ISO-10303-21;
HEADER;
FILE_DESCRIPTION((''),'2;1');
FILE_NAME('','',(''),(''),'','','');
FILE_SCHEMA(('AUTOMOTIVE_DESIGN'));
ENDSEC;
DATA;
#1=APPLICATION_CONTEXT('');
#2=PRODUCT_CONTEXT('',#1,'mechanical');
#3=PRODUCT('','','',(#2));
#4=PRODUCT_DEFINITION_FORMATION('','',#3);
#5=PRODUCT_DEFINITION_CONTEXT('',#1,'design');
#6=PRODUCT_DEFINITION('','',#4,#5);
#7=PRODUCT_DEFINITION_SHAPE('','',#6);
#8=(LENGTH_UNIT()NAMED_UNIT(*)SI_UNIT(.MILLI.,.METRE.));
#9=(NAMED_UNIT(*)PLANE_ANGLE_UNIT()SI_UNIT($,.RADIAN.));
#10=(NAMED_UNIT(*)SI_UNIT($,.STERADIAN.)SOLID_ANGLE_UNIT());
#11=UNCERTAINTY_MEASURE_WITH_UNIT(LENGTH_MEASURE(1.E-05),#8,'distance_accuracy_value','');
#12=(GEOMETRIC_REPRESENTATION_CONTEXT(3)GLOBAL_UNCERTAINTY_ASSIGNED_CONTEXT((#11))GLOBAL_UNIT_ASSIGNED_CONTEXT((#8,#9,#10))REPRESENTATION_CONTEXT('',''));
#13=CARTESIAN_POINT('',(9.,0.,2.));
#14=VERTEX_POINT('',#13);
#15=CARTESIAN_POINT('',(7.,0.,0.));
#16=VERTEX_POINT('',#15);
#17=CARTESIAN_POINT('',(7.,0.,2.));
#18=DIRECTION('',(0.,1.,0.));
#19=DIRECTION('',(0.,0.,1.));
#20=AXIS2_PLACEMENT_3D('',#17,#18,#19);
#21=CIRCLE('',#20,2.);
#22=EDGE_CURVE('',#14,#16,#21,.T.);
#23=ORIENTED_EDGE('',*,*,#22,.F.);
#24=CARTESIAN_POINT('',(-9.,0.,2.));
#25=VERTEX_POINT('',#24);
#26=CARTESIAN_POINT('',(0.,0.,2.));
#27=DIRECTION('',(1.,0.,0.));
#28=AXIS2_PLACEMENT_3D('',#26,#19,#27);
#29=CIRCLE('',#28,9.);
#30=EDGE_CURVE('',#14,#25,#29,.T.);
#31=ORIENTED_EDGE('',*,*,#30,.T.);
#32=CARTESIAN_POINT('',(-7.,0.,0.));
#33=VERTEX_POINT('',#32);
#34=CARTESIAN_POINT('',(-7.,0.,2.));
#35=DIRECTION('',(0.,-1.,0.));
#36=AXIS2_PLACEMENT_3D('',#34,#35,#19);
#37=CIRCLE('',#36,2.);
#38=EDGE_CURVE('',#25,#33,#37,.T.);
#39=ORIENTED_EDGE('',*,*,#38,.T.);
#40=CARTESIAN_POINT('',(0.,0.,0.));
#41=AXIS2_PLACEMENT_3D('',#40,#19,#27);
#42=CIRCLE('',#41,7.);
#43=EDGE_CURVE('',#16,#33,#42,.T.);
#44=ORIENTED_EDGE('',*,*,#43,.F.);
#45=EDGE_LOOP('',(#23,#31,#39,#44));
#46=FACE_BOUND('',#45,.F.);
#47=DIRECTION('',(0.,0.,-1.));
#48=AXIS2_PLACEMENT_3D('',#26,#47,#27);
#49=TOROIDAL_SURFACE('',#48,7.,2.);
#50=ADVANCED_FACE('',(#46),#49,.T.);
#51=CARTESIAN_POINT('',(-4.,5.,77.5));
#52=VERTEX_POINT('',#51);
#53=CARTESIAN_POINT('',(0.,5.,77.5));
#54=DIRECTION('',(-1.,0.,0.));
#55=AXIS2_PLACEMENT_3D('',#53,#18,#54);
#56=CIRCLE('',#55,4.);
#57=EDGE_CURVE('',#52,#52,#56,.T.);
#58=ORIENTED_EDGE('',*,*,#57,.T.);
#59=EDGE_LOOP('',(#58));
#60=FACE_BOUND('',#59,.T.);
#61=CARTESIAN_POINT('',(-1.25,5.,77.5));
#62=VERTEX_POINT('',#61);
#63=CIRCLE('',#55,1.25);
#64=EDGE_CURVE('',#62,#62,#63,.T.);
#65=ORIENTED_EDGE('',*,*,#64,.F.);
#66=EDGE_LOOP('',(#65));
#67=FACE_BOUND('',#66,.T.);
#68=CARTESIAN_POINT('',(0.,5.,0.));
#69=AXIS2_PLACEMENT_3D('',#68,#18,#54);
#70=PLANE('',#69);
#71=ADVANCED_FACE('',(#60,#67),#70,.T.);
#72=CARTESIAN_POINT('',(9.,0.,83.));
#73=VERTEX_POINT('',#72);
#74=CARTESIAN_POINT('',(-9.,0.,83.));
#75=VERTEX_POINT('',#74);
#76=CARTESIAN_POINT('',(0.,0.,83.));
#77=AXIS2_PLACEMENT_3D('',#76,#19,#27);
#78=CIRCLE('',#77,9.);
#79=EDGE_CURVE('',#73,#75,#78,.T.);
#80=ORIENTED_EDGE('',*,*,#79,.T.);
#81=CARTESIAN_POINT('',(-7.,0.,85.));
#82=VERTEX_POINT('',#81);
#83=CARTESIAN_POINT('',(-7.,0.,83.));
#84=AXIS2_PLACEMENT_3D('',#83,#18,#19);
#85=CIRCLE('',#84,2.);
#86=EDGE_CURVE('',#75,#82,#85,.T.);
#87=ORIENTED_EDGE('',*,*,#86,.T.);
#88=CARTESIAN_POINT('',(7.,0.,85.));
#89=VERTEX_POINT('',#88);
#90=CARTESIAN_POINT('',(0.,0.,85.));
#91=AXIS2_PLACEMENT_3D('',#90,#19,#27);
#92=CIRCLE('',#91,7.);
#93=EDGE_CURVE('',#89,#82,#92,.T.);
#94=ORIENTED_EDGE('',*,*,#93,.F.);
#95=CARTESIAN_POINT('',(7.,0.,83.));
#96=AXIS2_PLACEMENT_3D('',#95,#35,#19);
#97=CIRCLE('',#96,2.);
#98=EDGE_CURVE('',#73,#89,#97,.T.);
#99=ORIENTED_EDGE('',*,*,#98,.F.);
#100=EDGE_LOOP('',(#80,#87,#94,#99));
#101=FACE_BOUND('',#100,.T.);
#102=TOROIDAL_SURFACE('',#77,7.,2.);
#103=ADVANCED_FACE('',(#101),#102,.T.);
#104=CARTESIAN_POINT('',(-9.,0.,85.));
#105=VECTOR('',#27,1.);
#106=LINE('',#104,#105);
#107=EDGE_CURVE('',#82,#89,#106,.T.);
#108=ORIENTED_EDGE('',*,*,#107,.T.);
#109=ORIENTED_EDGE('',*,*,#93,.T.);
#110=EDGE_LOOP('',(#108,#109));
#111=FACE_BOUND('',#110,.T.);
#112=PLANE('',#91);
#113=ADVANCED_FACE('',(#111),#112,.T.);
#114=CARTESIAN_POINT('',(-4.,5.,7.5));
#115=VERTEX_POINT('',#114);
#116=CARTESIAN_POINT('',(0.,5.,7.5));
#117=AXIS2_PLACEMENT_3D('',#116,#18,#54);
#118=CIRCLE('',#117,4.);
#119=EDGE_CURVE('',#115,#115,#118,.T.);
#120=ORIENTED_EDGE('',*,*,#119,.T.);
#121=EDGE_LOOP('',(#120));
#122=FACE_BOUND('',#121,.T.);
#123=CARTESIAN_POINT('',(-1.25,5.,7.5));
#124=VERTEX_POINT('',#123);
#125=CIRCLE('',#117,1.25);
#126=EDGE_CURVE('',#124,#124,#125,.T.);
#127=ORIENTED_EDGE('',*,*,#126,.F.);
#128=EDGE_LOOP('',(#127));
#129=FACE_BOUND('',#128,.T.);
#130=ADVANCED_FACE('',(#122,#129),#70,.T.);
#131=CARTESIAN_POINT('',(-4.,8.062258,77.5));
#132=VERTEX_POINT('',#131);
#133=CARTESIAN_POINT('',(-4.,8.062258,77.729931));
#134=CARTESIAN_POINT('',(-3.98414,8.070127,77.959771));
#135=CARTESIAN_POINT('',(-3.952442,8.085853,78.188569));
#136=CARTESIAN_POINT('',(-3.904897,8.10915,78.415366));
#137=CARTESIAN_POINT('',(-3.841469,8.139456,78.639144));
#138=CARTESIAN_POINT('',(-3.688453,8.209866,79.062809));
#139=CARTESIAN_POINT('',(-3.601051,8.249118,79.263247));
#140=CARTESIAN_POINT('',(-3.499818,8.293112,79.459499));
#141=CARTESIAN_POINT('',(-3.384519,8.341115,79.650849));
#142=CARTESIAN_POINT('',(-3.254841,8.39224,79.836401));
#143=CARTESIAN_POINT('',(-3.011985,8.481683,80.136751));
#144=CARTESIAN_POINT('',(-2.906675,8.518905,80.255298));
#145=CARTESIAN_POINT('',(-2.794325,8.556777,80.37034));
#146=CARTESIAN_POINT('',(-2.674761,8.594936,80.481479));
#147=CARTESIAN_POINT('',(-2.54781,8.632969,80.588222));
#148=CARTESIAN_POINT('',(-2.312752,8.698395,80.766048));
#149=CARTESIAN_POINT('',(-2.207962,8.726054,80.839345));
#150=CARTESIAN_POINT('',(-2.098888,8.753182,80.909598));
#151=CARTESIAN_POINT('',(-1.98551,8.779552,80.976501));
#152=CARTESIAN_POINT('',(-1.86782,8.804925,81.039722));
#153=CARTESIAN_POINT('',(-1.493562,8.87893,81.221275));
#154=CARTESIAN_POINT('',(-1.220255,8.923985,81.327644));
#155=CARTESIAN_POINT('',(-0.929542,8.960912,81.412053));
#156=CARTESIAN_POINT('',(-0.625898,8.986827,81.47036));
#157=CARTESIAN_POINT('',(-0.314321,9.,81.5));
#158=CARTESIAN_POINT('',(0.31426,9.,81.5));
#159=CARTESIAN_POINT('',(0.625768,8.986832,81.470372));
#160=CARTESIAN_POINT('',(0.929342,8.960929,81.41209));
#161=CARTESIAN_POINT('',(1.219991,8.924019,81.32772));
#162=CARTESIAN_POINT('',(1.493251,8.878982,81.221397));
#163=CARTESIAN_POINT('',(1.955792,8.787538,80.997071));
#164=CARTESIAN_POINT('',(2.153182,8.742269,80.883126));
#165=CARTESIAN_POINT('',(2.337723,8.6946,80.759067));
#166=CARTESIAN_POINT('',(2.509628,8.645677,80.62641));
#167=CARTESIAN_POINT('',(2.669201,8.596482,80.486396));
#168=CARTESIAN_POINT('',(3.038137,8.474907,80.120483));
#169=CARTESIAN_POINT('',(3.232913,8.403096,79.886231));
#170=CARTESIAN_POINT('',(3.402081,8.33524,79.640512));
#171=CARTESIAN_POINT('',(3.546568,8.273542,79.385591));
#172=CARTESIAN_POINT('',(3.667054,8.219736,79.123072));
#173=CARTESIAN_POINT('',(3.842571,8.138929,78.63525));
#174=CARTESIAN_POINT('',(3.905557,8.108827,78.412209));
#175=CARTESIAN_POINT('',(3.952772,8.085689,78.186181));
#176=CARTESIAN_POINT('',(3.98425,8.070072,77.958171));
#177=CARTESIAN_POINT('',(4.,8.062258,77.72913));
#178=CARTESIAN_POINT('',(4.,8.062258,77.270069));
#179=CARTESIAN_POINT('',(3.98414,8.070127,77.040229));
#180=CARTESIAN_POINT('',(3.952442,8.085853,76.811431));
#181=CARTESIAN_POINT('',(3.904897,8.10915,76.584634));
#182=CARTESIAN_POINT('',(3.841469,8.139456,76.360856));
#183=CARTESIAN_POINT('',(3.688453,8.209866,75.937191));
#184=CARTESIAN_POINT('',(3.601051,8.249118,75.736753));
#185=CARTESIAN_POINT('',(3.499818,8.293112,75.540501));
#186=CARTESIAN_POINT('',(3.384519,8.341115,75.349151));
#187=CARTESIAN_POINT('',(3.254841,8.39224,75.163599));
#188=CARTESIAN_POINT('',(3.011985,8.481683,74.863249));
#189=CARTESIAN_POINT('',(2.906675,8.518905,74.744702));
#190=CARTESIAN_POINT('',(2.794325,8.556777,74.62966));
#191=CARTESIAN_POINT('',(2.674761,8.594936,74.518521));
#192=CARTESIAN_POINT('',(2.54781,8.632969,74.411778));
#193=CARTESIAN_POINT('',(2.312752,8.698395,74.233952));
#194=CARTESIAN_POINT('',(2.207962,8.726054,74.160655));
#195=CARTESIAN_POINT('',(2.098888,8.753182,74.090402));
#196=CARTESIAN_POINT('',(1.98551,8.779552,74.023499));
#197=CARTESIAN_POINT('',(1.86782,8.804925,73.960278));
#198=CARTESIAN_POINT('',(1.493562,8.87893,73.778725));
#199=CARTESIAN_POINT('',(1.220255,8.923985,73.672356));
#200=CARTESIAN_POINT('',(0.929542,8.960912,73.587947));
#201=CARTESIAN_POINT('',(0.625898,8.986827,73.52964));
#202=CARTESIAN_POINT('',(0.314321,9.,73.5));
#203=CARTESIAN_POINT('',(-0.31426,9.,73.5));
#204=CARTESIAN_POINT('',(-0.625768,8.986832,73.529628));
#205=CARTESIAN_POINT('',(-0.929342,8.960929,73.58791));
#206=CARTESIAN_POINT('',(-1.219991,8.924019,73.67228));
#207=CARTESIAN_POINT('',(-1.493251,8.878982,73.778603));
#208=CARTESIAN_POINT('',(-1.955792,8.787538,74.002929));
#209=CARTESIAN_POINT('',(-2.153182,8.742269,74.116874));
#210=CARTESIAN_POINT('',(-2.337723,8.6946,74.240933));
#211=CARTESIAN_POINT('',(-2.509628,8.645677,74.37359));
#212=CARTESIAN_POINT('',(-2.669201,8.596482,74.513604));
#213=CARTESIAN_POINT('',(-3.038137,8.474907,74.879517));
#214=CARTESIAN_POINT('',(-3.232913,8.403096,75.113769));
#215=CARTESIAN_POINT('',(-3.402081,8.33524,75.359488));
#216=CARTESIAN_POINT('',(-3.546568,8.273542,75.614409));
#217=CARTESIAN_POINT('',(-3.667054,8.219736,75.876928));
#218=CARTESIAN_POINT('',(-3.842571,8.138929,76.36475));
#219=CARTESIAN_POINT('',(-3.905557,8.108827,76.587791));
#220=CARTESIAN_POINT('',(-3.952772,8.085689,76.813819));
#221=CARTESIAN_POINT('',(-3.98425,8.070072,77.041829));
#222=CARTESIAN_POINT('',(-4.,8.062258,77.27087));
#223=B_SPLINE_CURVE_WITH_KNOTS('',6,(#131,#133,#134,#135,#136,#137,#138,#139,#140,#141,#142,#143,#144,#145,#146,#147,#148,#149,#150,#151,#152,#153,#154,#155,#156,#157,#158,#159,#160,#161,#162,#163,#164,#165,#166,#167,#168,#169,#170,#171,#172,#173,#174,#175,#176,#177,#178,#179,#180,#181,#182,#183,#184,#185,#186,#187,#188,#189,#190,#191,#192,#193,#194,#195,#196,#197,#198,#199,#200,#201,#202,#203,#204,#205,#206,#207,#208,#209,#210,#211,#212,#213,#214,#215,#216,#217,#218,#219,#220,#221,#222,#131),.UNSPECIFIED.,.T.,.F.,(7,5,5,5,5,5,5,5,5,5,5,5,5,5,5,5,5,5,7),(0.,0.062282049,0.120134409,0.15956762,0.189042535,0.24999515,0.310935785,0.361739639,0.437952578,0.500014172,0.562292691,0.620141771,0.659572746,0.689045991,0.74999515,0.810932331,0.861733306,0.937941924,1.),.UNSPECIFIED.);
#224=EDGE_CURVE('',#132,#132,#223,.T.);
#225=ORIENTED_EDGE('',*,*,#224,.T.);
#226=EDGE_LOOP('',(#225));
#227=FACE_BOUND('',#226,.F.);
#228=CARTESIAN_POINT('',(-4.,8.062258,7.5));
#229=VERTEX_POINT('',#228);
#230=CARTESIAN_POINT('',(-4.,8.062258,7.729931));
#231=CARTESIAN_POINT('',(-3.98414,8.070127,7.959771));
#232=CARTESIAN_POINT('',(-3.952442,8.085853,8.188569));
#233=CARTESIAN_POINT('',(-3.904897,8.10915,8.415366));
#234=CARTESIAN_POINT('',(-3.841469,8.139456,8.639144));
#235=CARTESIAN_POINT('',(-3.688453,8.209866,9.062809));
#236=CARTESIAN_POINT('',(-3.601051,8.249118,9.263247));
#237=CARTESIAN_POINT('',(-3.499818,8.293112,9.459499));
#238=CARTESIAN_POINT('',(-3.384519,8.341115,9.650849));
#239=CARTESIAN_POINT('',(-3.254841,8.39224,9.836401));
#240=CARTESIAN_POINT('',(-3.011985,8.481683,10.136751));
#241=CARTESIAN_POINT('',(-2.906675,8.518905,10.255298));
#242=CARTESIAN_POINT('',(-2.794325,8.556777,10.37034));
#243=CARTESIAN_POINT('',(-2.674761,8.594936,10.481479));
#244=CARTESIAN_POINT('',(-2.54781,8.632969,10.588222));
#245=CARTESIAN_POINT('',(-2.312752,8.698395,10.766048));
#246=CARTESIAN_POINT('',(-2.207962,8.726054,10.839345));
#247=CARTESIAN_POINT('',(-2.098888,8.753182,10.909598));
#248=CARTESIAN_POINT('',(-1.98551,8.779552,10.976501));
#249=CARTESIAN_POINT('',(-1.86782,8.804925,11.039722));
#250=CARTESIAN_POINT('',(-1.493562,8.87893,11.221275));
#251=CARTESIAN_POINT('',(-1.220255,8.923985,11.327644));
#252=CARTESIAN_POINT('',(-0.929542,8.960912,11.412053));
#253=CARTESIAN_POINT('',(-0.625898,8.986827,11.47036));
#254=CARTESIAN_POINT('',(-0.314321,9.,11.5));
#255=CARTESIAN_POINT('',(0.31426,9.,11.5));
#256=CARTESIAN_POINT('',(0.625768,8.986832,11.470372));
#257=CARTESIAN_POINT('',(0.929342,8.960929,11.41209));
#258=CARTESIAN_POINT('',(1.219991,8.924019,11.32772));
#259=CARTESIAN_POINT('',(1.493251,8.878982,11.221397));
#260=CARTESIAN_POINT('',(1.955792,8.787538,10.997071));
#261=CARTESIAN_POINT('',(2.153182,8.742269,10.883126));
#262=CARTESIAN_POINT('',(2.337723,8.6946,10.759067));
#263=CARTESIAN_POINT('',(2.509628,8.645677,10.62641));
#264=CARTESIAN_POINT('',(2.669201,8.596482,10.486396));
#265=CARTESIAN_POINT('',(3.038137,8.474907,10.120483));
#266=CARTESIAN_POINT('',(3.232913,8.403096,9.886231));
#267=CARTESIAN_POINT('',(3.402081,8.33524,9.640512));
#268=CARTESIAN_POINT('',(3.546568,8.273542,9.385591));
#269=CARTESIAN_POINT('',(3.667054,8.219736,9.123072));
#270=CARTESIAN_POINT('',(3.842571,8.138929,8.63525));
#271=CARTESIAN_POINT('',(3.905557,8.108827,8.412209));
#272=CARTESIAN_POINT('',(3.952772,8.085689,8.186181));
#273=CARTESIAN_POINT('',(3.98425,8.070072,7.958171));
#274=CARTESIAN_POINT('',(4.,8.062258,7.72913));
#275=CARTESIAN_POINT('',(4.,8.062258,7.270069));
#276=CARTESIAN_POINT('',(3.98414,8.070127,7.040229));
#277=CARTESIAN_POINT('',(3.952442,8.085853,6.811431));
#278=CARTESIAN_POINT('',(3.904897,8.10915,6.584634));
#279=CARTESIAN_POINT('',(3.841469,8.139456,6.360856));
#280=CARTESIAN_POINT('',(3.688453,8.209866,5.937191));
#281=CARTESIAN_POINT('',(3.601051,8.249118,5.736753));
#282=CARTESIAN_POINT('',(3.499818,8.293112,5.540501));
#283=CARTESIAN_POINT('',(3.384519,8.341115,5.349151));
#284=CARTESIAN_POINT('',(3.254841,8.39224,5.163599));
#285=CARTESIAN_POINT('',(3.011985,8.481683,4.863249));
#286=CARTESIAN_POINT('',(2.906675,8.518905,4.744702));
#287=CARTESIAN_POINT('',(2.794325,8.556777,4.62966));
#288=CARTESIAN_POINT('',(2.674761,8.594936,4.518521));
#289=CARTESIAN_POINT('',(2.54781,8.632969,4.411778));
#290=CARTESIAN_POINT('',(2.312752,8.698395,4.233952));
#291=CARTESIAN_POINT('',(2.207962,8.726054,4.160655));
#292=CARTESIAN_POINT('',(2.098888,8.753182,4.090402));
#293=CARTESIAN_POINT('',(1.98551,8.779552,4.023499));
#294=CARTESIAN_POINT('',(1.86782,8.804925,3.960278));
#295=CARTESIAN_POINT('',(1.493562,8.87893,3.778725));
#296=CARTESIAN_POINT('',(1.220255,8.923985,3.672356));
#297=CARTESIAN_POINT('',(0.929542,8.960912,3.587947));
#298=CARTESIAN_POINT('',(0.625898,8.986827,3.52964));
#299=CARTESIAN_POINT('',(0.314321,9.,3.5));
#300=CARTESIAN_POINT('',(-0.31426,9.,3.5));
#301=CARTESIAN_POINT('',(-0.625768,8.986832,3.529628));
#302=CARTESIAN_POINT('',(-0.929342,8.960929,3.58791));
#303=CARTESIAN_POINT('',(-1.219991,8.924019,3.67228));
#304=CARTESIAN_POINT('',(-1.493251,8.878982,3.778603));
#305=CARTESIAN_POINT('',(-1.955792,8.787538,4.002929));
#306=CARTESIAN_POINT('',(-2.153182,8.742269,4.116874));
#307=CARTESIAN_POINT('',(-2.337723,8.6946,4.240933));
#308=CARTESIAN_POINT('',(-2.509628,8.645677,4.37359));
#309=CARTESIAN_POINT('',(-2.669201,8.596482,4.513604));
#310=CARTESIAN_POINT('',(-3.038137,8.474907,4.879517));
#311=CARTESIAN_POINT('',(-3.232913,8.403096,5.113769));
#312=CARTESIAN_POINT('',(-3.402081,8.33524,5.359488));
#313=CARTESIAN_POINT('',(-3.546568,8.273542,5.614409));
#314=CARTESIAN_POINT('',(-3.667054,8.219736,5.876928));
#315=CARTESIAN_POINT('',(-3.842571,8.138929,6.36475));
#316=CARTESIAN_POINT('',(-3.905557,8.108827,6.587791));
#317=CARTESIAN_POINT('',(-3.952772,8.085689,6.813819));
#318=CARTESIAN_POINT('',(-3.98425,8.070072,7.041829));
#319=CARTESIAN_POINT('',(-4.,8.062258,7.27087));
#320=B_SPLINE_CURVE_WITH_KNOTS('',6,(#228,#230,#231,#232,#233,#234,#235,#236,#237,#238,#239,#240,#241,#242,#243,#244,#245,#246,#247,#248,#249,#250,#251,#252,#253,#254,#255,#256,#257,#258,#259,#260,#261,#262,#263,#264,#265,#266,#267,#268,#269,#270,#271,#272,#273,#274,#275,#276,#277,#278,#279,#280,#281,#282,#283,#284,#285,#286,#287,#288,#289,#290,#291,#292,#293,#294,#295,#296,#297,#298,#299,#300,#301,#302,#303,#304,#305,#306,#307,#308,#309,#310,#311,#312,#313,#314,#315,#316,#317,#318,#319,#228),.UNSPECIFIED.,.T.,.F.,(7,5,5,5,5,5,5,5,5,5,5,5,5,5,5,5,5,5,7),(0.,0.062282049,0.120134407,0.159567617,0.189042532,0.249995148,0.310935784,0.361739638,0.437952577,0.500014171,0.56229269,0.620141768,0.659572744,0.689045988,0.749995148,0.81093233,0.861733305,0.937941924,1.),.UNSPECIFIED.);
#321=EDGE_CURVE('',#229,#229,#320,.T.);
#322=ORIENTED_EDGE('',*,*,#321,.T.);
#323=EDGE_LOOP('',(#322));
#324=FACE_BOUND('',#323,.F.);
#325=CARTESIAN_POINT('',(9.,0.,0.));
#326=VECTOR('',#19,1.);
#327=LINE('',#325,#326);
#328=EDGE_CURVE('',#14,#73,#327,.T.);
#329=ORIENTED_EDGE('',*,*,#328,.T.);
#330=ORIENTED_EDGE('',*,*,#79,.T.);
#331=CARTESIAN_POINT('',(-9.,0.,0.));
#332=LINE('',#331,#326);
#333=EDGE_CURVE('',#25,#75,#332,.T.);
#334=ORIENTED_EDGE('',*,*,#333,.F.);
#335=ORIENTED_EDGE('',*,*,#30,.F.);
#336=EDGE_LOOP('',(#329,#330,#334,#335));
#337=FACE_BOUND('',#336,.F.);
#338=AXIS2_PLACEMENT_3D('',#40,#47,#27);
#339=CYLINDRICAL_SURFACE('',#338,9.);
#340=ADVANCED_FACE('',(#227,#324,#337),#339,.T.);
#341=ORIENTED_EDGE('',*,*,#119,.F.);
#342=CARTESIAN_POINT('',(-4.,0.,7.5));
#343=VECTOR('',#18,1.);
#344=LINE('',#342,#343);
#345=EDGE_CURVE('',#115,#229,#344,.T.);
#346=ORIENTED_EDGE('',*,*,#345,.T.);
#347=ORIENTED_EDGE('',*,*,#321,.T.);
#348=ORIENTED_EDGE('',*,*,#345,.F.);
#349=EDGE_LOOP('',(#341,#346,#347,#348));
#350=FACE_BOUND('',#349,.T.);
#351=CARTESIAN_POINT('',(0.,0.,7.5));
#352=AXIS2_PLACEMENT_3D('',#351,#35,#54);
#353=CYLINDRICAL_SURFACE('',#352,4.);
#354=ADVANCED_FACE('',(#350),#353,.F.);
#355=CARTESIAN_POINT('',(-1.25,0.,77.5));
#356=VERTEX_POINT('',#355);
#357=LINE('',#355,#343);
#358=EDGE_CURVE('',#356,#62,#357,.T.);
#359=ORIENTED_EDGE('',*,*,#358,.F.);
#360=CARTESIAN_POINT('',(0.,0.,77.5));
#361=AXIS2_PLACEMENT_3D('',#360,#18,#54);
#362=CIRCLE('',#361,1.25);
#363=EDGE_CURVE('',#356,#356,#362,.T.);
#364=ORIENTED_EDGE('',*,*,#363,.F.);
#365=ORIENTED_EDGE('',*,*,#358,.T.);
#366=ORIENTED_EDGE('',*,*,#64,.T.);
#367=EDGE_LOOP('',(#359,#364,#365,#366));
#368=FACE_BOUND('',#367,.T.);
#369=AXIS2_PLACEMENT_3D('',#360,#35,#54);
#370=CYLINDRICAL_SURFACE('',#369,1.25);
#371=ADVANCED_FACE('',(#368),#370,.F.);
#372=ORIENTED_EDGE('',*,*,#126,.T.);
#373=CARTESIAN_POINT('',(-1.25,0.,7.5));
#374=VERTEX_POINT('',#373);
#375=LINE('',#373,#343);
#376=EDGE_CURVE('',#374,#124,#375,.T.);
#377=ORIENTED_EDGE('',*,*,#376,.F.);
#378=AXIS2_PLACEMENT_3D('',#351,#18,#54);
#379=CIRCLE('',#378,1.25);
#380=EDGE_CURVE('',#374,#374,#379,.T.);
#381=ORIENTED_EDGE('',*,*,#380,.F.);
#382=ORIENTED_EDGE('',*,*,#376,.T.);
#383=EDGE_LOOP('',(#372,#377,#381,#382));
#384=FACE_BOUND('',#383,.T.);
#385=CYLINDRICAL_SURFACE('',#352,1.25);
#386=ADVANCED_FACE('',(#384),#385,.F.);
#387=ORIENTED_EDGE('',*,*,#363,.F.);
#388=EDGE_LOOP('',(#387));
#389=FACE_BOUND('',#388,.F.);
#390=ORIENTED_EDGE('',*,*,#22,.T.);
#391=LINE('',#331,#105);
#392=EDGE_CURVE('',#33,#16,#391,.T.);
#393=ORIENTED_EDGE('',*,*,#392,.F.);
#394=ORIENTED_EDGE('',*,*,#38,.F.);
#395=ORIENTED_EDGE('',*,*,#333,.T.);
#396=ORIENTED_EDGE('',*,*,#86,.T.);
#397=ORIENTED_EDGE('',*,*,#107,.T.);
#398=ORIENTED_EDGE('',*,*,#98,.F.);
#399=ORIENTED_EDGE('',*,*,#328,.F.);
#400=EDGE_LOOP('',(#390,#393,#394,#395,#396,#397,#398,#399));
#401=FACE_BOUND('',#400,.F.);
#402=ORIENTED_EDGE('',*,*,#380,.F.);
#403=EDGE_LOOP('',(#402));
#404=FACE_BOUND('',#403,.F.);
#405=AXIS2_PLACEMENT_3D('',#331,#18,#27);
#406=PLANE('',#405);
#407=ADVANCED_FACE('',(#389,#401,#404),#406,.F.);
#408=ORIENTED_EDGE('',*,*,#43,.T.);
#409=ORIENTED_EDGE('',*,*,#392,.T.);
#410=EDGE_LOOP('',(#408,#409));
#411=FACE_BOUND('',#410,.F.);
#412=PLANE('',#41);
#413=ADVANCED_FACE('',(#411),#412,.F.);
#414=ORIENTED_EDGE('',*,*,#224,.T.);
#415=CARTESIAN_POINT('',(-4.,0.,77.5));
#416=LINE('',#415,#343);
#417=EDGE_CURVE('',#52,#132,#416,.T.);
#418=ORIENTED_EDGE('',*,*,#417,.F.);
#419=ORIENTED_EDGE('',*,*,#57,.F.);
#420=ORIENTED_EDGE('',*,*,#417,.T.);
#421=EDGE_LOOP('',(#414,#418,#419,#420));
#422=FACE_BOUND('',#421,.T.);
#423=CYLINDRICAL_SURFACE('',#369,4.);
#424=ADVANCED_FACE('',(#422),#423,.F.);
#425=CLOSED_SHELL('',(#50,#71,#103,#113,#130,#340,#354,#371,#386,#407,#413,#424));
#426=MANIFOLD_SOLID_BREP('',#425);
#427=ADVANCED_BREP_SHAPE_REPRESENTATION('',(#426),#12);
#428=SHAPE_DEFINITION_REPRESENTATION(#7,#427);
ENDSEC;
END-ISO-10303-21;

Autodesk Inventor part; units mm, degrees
ref_plane "YZ Plane" through (0, 0, 0) normal (1, 0, 0) x (0, 1, 0)
ref_plane "XZ Plane" through (0, 0, 0) normal (0, 1, 0) x (-1, 0, 0)
ref_plane "XY Plane" through (0, 0, 0) normal (0, 0, 1) x (1, 0, 0)
sketch "Sketch3" plane through (0, 0, 0) normal (0, 0, 1) x (1, 0, 0)
  line L0 (0, -1.8) -> (0, 10.8) construction
  line L1 (-12.6, 0) -> (12.6, 0) construction
  line L2 (-9, 0) -> (9, 0)
  line L3 (9, 0) -> (9, 0)
  arc A0 (9, 0) -> (-9, 0) centre (0, 0) ccw
  line L4 (-9, 0) -> (-9, 0)
  dimension "d20" = 18
  dimension "d21" = 0
extrude "Extrusion3" add sketch "Sketch3" along normal blind 85
fillet "Fillet1" radius 2 2 edges at (0, 9, 0) (0, 9, 85)
sketch "Sketch4" plane through (0, 0, 0) normal (0, 1, 0) x (-1, 0, 0)
  circle A0 centre (0, 77.5) radius 1.25
  circle A1 centre (0, 7.5) radius 1.25
  circle A2 centre (0, 7.5) radius 4
  circle A3 centre (0, 77.5) radius 4
  line L0 (9, 42.5) -> (-9, 42.5) construction
  arc A4 (-7, 85) -> (-9, 83) centre (-7, 83) ccw projected
  line L1 (-7, 85) -> (7, 85) projected
  arc A5 (9, 83) -> (7, 85) centre (7, 83) ccw projected
  line L2 (9, 83) -> (9, 2) projected
  arc A6 (7, 0) -> (9, 2) centre (7, 2) ccw projected
  line L3 (7, 0) -> (-7, 0) projected
  arc A7 (-9, 2) -> (-7, 0) centre (-7, 2) ccw projected
  line L4 (-9, 2) -> (-9, 83) projected
  point P0 (0, 0)
  dimension "d25" = 8
  dimension "d26" = 2.5
  dimension "d31" = 70
extrude "Extrusion4" cut sketch "Sketch4" along normal blind 85 contours A0 | A1 | A2 | A3
extrude "Extrusion5" add sketch "Sketch4" along normal blind 5 from surface at 0 contours A2 | A3
properties part number "BodySiliconeRubber"
